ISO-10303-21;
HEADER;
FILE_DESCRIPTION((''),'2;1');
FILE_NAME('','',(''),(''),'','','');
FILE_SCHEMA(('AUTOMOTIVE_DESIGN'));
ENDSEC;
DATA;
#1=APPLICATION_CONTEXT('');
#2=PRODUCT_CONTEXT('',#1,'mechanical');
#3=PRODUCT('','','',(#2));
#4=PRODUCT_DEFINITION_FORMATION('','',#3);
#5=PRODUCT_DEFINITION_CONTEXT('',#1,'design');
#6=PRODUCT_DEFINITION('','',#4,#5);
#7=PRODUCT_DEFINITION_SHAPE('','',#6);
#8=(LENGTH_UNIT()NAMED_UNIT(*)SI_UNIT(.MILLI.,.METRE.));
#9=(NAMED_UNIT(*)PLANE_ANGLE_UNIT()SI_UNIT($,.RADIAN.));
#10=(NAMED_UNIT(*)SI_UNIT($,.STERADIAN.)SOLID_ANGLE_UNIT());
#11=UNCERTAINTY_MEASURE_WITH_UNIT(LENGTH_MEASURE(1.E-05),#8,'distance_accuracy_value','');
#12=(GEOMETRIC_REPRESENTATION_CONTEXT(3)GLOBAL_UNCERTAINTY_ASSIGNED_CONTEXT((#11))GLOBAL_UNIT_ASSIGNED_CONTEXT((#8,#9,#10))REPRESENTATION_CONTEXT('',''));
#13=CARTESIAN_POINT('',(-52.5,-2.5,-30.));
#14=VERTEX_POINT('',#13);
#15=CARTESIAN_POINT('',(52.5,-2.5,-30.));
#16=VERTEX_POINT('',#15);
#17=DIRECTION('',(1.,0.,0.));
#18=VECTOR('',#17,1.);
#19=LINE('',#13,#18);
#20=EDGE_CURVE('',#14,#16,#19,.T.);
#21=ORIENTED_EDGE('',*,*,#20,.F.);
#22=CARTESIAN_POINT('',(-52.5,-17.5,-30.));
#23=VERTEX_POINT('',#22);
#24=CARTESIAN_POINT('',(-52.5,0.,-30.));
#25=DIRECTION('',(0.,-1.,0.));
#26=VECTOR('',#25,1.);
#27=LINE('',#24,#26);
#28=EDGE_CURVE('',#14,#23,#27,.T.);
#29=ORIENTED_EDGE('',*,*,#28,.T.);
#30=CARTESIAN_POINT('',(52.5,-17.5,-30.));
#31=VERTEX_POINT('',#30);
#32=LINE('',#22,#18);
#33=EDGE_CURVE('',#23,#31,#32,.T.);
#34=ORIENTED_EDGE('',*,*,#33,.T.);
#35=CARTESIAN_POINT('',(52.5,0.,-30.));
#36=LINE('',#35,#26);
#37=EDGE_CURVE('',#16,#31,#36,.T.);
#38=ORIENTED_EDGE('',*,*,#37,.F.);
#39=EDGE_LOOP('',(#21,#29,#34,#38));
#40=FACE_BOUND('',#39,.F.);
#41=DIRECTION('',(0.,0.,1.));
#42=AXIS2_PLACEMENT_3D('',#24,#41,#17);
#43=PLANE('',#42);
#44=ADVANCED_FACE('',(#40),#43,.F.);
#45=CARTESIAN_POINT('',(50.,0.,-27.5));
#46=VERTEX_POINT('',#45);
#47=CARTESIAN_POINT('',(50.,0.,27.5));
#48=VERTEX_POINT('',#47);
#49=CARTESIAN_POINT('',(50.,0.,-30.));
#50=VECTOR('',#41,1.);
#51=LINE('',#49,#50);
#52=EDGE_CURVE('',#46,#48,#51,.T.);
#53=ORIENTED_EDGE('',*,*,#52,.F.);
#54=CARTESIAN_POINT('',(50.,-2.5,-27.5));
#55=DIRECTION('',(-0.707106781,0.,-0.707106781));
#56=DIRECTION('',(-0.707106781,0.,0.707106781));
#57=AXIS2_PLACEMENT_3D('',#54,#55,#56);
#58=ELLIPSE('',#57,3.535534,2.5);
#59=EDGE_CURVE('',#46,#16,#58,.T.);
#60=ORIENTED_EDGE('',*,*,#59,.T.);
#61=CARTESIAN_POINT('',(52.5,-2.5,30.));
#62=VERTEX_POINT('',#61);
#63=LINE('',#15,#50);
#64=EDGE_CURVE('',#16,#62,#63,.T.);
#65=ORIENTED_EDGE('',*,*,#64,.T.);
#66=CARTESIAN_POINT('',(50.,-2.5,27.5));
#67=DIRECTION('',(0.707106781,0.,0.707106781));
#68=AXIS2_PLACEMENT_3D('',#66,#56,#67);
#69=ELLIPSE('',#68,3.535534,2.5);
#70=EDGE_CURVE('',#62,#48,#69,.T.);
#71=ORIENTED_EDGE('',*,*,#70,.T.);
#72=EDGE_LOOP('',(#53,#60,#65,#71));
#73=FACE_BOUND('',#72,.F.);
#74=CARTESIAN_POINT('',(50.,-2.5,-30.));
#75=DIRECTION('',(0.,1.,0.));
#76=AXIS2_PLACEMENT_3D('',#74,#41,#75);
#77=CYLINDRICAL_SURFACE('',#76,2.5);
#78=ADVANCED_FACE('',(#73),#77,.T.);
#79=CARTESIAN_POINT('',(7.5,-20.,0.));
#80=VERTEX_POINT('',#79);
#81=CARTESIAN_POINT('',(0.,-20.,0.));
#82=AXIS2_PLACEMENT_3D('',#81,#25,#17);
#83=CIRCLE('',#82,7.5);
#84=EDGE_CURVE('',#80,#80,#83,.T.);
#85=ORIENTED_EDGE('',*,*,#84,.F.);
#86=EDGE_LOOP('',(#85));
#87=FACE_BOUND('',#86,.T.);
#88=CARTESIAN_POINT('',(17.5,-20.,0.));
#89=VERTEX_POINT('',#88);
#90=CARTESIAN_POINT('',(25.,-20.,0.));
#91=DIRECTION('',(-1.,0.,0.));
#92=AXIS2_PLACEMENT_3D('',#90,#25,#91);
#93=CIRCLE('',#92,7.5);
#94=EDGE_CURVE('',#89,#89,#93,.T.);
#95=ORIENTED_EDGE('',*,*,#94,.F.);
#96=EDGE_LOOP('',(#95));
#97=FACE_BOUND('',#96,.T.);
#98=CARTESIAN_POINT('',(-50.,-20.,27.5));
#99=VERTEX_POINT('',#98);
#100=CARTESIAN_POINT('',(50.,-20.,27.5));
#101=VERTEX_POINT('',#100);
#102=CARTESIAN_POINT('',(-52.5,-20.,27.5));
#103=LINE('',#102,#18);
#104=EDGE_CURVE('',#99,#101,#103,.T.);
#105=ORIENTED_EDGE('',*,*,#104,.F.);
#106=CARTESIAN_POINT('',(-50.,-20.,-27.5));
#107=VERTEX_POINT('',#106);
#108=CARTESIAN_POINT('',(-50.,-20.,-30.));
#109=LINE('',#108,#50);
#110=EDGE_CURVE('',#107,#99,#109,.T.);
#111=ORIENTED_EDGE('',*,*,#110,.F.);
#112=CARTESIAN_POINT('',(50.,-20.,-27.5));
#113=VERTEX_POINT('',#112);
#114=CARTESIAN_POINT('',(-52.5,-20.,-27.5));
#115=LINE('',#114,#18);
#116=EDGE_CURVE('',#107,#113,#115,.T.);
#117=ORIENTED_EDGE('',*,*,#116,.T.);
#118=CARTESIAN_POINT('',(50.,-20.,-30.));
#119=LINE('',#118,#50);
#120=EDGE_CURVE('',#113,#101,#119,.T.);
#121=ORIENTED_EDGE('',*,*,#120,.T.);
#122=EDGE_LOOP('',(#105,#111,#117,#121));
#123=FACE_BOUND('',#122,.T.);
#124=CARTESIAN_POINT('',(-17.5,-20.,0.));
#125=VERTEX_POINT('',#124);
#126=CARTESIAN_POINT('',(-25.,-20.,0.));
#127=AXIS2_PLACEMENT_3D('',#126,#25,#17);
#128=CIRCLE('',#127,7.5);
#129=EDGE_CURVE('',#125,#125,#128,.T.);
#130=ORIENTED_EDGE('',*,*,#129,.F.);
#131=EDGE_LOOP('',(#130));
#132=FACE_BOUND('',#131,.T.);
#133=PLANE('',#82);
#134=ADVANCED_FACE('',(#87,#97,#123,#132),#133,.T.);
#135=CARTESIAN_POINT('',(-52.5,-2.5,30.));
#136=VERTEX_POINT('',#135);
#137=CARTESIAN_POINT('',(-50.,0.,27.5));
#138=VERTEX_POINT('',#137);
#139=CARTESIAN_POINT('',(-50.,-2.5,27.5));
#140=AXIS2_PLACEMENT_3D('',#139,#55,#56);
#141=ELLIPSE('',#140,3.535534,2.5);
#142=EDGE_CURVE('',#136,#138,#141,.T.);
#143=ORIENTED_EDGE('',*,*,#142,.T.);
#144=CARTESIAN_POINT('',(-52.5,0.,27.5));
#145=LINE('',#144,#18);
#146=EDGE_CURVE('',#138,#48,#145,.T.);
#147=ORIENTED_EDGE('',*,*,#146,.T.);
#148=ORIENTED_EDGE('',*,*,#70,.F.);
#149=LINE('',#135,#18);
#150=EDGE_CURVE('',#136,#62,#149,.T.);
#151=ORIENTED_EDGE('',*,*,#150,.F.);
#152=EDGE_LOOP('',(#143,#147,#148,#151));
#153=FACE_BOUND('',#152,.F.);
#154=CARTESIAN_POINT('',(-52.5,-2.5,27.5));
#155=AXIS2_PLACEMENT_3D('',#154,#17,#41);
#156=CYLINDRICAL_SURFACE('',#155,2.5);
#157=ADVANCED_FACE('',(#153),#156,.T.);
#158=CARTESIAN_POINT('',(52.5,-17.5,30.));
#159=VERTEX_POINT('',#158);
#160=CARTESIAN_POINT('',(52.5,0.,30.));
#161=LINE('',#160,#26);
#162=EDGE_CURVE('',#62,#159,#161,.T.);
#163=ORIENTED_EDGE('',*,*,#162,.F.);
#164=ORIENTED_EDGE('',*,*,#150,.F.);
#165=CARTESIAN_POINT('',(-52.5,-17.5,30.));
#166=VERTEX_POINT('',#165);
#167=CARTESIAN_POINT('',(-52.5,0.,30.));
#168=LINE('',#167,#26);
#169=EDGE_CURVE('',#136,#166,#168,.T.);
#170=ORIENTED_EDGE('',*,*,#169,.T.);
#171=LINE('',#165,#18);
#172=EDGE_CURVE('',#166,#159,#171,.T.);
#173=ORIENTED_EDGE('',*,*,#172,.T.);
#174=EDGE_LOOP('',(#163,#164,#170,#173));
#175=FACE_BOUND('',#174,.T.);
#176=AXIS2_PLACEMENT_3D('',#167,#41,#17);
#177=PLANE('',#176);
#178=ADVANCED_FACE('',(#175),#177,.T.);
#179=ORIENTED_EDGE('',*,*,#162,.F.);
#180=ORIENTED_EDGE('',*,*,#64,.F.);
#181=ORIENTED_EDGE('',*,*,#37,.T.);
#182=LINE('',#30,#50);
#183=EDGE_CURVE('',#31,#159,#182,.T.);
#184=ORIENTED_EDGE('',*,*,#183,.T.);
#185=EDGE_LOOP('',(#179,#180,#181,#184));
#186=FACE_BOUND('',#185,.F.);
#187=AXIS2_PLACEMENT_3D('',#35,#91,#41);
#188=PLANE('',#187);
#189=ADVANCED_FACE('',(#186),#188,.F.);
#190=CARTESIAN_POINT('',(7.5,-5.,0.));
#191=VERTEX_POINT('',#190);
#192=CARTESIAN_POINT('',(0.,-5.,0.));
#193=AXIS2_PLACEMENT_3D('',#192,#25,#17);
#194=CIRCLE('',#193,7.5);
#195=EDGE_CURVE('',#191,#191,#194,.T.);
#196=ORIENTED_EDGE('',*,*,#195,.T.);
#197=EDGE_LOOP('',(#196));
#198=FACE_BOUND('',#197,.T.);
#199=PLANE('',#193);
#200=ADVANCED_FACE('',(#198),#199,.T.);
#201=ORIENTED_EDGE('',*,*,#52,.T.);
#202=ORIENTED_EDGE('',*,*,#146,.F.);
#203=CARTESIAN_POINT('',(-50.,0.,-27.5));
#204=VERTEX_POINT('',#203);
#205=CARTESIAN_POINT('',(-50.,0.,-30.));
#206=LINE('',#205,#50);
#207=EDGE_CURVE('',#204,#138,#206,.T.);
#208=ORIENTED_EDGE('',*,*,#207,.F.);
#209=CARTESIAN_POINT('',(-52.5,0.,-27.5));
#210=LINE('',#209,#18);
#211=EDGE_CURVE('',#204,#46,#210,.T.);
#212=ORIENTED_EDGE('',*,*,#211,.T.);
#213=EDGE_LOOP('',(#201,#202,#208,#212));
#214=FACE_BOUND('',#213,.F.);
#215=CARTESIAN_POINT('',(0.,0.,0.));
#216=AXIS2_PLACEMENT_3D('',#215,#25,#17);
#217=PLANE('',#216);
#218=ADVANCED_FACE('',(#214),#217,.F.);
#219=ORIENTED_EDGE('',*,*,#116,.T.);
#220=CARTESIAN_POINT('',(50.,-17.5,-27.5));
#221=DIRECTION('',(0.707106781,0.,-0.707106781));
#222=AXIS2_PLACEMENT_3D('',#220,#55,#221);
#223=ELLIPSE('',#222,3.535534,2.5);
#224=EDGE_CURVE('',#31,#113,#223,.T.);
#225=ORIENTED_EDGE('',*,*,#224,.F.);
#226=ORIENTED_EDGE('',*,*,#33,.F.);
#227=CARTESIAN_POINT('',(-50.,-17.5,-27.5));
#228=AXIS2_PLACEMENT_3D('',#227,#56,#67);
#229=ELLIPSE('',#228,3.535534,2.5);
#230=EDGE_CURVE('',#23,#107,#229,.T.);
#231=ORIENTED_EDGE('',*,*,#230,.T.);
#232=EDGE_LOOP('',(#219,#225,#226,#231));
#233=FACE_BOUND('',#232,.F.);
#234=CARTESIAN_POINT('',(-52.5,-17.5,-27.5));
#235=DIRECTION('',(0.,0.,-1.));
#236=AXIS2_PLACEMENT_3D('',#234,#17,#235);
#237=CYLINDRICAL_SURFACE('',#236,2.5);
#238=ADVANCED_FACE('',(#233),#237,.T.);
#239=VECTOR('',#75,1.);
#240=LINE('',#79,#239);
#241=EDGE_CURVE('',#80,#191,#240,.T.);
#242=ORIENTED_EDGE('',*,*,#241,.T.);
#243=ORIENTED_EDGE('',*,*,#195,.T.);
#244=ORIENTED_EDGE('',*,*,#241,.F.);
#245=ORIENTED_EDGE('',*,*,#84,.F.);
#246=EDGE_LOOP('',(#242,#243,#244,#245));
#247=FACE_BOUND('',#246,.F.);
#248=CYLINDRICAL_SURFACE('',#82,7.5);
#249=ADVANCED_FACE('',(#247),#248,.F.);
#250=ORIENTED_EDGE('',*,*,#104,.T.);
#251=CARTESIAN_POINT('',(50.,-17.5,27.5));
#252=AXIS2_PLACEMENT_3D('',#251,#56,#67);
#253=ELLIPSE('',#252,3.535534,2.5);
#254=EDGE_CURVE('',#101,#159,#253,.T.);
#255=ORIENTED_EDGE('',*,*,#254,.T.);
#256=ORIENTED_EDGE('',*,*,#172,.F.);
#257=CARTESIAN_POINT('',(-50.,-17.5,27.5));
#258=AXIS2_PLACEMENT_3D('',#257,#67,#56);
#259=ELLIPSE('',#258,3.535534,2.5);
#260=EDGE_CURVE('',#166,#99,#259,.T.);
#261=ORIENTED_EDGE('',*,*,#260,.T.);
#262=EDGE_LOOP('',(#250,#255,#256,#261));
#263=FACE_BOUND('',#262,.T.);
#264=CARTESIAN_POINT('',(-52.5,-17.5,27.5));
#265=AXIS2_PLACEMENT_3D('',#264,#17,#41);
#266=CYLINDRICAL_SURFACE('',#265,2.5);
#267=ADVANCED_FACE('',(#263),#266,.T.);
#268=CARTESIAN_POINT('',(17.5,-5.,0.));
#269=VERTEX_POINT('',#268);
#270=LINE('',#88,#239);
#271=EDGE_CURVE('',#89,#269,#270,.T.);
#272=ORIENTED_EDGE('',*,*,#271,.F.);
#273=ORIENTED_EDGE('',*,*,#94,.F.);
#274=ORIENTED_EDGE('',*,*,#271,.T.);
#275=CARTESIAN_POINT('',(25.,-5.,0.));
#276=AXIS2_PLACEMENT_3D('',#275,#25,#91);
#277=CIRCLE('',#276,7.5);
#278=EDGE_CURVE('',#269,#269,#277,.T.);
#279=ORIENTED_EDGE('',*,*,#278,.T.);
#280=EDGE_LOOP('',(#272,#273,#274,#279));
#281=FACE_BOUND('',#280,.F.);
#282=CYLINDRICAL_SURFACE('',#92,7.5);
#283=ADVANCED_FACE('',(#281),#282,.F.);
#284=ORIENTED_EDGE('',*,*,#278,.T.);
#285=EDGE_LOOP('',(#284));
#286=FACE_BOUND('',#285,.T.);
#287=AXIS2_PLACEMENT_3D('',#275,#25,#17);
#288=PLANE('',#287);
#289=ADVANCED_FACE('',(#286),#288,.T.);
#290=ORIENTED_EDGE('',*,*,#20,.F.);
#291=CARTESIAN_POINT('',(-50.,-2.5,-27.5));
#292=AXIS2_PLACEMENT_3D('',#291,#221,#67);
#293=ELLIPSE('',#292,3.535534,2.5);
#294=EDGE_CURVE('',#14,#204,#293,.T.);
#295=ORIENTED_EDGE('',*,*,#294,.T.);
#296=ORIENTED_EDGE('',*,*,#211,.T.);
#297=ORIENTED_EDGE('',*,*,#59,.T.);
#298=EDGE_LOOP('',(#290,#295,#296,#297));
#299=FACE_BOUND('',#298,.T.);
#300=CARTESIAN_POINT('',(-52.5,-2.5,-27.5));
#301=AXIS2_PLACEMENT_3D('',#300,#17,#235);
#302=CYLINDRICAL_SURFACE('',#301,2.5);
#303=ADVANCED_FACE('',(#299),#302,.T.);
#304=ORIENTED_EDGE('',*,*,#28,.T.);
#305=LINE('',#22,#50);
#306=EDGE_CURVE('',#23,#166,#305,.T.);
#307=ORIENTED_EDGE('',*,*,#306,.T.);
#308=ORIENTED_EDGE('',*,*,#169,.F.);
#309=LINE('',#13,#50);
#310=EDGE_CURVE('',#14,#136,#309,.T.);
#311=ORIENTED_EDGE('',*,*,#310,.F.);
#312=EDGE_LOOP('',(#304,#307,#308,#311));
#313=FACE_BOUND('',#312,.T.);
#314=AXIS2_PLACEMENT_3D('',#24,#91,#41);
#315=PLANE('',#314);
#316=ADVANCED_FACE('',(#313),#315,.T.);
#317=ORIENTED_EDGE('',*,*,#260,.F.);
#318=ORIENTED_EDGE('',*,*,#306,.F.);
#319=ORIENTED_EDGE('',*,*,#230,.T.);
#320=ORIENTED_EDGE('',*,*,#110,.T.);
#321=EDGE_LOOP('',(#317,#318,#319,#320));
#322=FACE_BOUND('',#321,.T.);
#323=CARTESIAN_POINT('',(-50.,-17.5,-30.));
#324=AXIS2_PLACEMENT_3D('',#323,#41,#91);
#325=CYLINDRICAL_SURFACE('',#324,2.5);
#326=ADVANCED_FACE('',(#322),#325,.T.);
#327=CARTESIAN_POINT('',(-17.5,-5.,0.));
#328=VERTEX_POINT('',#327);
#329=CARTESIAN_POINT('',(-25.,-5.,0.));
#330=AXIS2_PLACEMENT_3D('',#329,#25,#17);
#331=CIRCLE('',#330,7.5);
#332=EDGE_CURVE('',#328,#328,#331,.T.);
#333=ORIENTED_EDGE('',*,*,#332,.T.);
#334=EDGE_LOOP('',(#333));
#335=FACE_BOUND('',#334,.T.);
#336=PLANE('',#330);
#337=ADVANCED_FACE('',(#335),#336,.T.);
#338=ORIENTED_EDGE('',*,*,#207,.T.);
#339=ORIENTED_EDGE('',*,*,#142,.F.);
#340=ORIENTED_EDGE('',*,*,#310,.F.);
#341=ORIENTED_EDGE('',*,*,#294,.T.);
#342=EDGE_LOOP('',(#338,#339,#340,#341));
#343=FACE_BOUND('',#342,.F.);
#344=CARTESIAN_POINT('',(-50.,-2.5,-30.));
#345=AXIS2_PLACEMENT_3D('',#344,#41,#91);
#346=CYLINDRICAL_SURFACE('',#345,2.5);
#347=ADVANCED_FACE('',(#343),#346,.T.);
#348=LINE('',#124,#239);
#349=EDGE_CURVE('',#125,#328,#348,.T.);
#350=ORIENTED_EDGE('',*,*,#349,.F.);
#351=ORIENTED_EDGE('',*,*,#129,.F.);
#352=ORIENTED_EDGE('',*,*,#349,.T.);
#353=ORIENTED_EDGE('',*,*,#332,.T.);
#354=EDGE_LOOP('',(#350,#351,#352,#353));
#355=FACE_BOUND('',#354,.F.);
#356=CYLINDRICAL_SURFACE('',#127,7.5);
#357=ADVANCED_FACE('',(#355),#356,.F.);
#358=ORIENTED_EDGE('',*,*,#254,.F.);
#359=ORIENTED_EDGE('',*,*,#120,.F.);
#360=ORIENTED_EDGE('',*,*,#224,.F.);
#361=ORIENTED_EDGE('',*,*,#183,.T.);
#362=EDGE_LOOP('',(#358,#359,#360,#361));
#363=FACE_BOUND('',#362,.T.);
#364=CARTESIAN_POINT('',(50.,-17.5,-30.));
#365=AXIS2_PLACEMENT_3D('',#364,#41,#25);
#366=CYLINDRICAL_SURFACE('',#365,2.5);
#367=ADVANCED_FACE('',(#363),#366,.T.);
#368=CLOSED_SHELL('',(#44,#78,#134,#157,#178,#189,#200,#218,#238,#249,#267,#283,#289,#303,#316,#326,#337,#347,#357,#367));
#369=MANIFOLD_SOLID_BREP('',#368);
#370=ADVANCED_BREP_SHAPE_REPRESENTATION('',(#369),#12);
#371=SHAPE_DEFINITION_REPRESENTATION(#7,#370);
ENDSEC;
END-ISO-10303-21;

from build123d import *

# Parameters (mm, degrees)
F0_W     = 105
F0_H     = 60
F1_DEPTH = 20
F2_R     = 7.5
F3_DEPTH = 15
F4_R     = 2.5


with BuildPart() as f1:
    # F0 (on Front) → F1 (new body)
    with BuildSketch(Plane.XZ):
        Rectangle(F0_W, F0_H)
    extrude(amount=F1_DEPTH)

    # F2 (on face) → F3 (cut)
    with BuildSketch(Plane.XZ.offset(20)):
        with BuildLine():
            ThreePointArc((-7.5, 0), (0, -7.5), (7.5, 0))
            ThreePointArc((7.5, 0), (0, 7.5), (-7.5, 0))
        make_face()
        with Locations((-25, 0)):
            Circle(F2_R)
        with BuildLine():
            ThreePointArc((32.5, 0), (25, 7.5), (17.5, 0))
            ThreePointArc((17.5, 0), (25, -7.5), (32.5, 0))
        make_face()
    extrude(amount=-F3_DEPTH, mode=Mode.SUBTRACT)

    # F4
    f4_edges = [f1.edges().sort_by_distance(p)[0] for p in [
        (-52.5, -20, 0),
        (0, -20, -30),
        (52.5, -20, 0),
        (0, -20, 30),
        (-52.5, 0, 0),
        (0, 0, 30),
        (52.5, 0, 0),
        (0, 0, -30),
    ]]
    fillet(f4_edges, radius=F4_R)


solid = f1.part
